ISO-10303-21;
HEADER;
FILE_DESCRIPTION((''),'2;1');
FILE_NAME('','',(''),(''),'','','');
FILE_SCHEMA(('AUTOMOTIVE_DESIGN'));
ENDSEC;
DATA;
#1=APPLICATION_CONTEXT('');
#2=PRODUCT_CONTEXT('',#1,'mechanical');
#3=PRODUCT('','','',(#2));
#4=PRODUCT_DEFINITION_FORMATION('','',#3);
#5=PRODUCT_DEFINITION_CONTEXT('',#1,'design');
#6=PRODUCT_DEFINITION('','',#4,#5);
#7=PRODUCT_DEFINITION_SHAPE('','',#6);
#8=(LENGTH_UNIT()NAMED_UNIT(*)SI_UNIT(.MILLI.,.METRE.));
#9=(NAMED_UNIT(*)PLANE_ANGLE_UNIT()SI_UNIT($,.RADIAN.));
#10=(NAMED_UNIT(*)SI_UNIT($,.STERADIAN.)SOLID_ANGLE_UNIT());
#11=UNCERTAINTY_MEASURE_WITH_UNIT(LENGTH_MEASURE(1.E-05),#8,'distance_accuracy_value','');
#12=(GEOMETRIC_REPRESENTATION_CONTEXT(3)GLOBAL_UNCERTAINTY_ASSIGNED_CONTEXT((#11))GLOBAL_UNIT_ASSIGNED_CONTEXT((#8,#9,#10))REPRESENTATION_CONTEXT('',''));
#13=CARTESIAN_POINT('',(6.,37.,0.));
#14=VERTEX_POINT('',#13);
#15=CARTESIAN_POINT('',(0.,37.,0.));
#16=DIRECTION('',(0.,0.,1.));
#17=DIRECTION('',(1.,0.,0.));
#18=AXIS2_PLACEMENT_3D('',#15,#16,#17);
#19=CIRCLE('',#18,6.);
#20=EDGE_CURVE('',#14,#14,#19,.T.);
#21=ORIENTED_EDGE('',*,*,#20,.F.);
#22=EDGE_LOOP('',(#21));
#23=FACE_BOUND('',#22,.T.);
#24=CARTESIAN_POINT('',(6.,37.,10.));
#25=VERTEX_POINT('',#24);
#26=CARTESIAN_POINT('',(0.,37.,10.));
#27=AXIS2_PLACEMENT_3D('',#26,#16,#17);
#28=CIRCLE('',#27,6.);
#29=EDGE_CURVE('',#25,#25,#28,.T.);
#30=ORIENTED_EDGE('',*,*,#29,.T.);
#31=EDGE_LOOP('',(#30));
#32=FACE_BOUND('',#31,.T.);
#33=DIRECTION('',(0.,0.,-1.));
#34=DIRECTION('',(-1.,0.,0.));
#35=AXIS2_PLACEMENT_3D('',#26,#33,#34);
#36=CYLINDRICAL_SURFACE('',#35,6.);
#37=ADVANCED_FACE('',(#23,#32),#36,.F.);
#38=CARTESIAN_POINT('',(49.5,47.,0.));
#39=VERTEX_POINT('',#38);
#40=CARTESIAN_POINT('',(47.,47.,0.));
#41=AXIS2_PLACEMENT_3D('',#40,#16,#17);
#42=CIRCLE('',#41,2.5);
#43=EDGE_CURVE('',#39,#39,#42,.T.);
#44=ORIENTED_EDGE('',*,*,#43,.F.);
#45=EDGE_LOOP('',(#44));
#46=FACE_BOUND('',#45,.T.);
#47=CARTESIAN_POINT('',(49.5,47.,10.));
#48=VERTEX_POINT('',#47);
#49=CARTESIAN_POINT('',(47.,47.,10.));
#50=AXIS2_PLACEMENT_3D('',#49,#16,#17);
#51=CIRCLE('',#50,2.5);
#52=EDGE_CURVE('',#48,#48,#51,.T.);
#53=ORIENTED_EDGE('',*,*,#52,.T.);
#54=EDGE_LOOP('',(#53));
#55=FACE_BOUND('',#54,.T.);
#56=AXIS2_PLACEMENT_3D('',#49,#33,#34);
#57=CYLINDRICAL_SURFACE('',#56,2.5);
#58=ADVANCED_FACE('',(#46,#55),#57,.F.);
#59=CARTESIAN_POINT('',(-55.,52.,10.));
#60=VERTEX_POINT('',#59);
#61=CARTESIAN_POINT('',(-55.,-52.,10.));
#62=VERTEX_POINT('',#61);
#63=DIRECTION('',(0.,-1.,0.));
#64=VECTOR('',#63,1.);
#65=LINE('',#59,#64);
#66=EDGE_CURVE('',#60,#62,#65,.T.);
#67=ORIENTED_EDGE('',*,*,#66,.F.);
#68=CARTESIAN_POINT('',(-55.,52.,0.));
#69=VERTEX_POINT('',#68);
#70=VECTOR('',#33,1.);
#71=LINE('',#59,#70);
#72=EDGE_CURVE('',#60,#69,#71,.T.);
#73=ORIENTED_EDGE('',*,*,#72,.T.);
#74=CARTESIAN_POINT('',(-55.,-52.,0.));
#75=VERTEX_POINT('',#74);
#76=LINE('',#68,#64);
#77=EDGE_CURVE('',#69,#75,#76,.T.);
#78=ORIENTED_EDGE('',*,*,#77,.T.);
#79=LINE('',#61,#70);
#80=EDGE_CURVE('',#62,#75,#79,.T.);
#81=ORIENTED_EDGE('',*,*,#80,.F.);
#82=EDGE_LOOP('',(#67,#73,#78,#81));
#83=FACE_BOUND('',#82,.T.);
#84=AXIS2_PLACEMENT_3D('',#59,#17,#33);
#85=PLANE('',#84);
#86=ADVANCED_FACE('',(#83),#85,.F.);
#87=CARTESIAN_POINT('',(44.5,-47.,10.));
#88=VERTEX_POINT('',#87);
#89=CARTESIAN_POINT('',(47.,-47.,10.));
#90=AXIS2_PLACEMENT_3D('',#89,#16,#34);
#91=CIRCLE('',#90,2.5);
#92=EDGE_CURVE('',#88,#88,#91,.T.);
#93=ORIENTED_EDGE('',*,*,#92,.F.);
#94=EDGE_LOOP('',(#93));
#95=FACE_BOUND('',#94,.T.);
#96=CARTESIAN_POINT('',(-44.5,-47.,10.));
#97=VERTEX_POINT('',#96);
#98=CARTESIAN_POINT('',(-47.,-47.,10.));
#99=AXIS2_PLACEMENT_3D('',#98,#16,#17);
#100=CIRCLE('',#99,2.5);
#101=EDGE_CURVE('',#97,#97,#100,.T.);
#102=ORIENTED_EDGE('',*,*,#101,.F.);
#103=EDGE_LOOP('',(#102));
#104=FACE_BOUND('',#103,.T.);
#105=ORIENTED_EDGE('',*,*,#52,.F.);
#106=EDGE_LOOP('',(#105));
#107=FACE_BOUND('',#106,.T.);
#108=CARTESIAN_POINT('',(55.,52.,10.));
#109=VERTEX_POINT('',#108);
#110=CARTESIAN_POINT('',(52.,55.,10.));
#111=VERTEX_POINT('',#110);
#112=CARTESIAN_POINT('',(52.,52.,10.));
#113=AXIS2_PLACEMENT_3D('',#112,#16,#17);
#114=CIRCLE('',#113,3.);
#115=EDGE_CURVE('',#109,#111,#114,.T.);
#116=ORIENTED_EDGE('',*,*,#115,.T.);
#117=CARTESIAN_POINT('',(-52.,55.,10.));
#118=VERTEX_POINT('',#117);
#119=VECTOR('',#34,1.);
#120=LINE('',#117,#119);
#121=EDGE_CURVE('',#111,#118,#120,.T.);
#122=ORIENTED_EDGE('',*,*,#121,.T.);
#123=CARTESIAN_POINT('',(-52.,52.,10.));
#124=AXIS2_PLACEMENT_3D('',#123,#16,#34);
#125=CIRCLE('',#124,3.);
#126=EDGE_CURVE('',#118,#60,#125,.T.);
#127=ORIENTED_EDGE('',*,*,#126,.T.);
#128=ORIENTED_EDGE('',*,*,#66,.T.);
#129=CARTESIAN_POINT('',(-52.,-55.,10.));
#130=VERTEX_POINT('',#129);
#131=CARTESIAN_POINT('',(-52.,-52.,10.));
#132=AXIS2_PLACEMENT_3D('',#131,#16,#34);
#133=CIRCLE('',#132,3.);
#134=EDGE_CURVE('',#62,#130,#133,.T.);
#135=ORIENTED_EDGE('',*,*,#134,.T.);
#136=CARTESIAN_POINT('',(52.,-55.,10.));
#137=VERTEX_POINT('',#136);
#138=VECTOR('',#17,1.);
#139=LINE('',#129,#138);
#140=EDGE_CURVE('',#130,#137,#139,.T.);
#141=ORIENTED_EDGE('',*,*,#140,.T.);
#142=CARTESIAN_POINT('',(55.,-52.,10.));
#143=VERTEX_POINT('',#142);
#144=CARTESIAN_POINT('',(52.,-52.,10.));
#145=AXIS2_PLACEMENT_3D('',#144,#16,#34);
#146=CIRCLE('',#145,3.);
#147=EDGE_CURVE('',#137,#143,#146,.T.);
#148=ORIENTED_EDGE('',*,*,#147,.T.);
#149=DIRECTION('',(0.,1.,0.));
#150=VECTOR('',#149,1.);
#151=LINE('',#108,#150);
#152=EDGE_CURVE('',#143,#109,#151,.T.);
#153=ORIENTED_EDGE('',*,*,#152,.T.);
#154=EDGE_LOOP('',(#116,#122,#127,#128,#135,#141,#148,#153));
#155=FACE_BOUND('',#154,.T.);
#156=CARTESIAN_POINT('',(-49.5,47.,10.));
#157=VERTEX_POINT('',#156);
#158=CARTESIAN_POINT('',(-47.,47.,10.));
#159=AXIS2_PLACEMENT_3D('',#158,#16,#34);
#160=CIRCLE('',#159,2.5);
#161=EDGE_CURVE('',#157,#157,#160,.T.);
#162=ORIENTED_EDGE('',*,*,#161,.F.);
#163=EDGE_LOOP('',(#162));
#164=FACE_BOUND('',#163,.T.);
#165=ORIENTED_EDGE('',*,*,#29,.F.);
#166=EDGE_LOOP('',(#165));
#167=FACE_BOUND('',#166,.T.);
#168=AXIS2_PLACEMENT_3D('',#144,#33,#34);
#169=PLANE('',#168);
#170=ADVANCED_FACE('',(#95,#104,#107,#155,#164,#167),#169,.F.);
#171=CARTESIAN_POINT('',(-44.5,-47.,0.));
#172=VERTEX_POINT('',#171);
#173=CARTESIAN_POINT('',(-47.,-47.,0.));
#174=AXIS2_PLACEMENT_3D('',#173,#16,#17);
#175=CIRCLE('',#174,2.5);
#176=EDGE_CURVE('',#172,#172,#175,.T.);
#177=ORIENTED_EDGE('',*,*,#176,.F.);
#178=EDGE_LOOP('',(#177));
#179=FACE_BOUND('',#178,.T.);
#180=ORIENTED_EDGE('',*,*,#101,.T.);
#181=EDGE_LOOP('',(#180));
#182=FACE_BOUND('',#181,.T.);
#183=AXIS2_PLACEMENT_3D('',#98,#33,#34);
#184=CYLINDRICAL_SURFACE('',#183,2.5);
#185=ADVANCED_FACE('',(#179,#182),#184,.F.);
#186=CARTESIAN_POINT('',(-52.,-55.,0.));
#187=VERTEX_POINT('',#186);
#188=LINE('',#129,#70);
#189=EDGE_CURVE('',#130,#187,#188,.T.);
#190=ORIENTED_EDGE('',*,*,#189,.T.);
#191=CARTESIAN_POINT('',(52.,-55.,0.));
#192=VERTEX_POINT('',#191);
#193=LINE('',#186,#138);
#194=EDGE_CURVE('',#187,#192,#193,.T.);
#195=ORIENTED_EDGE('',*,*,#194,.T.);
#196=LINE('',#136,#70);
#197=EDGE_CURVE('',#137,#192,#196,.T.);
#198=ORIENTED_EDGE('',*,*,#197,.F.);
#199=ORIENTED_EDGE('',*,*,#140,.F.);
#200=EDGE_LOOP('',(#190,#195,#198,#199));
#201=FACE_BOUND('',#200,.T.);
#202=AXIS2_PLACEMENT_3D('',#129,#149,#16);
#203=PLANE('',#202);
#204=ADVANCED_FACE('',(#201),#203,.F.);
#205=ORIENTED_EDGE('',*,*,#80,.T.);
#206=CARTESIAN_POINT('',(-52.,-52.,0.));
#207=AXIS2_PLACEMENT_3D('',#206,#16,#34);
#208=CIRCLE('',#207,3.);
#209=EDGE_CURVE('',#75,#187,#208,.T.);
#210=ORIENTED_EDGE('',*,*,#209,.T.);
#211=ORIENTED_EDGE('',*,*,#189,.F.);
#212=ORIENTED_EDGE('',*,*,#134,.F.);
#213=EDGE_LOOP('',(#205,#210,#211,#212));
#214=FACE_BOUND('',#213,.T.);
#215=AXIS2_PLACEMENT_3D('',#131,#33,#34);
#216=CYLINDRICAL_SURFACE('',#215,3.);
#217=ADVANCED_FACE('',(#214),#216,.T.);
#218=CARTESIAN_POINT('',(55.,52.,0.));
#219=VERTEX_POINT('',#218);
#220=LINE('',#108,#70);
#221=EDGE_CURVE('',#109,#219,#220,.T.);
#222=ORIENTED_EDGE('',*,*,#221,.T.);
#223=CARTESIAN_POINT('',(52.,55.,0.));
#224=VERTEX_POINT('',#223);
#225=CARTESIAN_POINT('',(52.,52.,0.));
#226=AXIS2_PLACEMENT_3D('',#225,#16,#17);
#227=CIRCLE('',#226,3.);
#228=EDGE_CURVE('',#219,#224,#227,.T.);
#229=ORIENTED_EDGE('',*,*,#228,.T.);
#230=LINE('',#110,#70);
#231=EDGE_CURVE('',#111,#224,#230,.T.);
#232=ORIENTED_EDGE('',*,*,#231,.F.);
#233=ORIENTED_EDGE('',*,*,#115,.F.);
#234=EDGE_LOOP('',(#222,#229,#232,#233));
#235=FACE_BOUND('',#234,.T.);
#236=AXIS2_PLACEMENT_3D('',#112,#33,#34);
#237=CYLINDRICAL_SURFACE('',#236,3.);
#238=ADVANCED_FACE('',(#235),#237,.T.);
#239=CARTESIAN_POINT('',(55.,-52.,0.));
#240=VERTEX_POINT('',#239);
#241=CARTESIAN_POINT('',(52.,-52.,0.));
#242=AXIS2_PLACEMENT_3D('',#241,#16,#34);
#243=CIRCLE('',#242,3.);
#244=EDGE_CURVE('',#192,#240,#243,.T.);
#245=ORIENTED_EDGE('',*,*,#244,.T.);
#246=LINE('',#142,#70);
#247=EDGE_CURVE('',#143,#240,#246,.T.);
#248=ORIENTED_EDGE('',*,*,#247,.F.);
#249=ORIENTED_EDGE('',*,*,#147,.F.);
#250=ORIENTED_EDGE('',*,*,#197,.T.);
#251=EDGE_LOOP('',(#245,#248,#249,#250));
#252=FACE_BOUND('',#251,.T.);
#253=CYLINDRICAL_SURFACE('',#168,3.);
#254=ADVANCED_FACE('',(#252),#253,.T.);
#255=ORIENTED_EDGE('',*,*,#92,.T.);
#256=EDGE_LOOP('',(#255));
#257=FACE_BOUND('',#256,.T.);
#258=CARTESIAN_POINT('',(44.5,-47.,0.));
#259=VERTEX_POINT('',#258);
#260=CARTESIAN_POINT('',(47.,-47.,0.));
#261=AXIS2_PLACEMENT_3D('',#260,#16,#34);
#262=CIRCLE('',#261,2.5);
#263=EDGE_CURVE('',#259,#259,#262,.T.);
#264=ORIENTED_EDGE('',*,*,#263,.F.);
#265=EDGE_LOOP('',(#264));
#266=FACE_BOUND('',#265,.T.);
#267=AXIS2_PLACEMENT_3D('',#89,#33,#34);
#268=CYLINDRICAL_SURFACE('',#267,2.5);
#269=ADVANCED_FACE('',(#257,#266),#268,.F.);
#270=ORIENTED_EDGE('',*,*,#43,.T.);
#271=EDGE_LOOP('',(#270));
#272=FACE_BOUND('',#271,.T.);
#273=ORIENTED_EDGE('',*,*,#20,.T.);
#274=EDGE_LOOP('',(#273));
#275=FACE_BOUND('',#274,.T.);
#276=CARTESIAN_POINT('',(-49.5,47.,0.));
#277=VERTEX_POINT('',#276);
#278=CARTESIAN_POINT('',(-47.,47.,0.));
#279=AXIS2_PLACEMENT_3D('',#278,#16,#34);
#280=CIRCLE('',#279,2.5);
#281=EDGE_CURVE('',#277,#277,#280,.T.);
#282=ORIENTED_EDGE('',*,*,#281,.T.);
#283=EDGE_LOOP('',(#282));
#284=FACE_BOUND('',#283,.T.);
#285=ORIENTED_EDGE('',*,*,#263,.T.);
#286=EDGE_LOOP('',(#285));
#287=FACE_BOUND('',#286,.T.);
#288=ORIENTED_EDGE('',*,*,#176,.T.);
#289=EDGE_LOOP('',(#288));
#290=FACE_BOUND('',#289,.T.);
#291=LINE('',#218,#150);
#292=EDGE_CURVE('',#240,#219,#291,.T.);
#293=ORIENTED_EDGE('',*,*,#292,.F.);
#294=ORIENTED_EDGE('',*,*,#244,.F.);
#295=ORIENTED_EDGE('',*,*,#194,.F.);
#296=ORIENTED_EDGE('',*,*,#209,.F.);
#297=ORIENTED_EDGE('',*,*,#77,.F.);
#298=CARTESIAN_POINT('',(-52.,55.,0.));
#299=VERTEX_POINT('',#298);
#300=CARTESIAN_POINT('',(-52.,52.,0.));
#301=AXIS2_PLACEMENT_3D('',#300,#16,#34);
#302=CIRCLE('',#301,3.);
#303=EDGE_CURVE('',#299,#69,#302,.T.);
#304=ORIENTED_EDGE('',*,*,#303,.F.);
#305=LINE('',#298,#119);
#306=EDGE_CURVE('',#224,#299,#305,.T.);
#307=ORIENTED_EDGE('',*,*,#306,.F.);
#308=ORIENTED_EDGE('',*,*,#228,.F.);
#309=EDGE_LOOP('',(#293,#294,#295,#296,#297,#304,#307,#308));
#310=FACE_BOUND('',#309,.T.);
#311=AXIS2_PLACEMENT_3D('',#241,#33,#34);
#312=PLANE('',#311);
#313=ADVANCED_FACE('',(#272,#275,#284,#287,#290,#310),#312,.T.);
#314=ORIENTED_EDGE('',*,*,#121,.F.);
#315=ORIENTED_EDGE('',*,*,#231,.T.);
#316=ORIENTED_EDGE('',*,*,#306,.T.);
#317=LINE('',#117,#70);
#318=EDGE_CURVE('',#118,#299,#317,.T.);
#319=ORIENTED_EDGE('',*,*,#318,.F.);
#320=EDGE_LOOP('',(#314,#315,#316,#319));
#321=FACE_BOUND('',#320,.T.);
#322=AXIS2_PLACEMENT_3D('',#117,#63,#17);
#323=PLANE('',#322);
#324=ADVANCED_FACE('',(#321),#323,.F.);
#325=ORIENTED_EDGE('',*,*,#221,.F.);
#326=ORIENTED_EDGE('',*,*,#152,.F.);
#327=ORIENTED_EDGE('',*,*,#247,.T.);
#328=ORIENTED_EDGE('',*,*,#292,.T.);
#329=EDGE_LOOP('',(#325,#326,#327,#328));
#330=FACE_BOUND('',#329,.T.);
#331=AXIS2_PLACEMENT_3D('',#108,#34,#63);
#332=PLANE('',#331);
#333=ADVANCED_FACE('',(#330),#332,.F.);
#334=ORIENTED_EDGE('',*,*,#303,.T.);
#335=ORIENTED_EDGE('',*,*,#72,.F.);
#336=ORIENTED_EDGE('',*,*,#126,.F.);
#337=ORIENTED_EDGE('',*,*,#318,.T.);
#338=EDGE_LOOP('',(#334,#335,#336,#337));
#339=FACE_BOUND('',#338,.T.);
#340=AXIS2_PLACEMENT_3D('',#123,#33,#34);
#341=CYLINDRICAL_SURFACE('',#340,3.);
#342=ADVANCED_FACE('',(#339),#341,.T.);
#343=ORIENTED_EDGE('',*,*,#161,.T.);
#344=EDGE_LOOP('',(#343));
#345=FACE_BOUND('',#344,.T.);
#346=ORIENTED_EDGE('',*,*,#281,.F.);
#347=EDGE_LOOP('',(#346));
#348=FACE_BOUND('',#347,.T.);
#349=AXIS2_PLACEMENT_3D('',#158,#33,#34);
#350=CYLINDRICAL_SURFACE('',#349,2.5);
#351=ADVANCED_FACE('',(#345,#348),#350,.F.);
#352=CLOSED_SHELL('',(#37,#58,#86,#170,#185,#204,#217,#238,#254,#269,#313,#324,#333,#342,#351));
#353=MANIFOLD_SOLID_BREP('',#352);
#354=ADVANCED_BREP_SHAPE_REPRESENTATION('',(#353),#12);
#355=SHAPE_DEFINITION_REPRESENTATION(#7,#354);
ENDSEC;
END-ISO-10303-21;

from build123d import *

# Parameters (mm, degrees)
SKETCH1_R           = 2.5
SKETCH1_R_2         = 6
BOSS_EXTRUDE1_DEPTH = 10


with BuildPart() as part:
    # Sketch1 → Boss-Extrude1 (new body)
    with BuildSketch(Plane.XY):
        with BuildLine():
            Line((-52, 55), (52, 55))
            ThreePointArc((52, 55), (54.121320344, 54.121320344), (55, 52))
            Line((55, 52), (55, -52))
            ThreePointArc((55, -52), (54.121320344, -54.121320344), (52, -55))
            Line((52, -55), (-52, -55))
            ThreePointArc((-52, -55), (-54.121320344, -54.121320344), (-55, -52))
            Line((-55, -52), (-55, 52))
            ThreePointArc((-55, 52), (-54.121320344, 54.121320344), (-52, 55))
        make_face()
        with Locations((47, 47)):
            Circle(SKETCH1_R, mode=Mode.SUBTRACT)
        with Locations(Location((47, -47, 0), (0, 0, 180))):
            Circle(SKETCH1_R, mode=Mode.SUBTRACT)
        with Locations((-47, -47)):
            Circle(SKETCH1_R, mode=Mode.SUBTRACT)
        with Locations(Location((-47, 47, 0), (0, 0, 180))):
            Circle(SKETCH1_R, mode=Mode.SUBTRACT)
        with Locations((0, 37)):
            Circle(SKETCH1_R_2, mode=Mode.SUBTRACT)
    extrude(amount=BOSS_EXTRUDE1_DEPTH)


solid = part.part
